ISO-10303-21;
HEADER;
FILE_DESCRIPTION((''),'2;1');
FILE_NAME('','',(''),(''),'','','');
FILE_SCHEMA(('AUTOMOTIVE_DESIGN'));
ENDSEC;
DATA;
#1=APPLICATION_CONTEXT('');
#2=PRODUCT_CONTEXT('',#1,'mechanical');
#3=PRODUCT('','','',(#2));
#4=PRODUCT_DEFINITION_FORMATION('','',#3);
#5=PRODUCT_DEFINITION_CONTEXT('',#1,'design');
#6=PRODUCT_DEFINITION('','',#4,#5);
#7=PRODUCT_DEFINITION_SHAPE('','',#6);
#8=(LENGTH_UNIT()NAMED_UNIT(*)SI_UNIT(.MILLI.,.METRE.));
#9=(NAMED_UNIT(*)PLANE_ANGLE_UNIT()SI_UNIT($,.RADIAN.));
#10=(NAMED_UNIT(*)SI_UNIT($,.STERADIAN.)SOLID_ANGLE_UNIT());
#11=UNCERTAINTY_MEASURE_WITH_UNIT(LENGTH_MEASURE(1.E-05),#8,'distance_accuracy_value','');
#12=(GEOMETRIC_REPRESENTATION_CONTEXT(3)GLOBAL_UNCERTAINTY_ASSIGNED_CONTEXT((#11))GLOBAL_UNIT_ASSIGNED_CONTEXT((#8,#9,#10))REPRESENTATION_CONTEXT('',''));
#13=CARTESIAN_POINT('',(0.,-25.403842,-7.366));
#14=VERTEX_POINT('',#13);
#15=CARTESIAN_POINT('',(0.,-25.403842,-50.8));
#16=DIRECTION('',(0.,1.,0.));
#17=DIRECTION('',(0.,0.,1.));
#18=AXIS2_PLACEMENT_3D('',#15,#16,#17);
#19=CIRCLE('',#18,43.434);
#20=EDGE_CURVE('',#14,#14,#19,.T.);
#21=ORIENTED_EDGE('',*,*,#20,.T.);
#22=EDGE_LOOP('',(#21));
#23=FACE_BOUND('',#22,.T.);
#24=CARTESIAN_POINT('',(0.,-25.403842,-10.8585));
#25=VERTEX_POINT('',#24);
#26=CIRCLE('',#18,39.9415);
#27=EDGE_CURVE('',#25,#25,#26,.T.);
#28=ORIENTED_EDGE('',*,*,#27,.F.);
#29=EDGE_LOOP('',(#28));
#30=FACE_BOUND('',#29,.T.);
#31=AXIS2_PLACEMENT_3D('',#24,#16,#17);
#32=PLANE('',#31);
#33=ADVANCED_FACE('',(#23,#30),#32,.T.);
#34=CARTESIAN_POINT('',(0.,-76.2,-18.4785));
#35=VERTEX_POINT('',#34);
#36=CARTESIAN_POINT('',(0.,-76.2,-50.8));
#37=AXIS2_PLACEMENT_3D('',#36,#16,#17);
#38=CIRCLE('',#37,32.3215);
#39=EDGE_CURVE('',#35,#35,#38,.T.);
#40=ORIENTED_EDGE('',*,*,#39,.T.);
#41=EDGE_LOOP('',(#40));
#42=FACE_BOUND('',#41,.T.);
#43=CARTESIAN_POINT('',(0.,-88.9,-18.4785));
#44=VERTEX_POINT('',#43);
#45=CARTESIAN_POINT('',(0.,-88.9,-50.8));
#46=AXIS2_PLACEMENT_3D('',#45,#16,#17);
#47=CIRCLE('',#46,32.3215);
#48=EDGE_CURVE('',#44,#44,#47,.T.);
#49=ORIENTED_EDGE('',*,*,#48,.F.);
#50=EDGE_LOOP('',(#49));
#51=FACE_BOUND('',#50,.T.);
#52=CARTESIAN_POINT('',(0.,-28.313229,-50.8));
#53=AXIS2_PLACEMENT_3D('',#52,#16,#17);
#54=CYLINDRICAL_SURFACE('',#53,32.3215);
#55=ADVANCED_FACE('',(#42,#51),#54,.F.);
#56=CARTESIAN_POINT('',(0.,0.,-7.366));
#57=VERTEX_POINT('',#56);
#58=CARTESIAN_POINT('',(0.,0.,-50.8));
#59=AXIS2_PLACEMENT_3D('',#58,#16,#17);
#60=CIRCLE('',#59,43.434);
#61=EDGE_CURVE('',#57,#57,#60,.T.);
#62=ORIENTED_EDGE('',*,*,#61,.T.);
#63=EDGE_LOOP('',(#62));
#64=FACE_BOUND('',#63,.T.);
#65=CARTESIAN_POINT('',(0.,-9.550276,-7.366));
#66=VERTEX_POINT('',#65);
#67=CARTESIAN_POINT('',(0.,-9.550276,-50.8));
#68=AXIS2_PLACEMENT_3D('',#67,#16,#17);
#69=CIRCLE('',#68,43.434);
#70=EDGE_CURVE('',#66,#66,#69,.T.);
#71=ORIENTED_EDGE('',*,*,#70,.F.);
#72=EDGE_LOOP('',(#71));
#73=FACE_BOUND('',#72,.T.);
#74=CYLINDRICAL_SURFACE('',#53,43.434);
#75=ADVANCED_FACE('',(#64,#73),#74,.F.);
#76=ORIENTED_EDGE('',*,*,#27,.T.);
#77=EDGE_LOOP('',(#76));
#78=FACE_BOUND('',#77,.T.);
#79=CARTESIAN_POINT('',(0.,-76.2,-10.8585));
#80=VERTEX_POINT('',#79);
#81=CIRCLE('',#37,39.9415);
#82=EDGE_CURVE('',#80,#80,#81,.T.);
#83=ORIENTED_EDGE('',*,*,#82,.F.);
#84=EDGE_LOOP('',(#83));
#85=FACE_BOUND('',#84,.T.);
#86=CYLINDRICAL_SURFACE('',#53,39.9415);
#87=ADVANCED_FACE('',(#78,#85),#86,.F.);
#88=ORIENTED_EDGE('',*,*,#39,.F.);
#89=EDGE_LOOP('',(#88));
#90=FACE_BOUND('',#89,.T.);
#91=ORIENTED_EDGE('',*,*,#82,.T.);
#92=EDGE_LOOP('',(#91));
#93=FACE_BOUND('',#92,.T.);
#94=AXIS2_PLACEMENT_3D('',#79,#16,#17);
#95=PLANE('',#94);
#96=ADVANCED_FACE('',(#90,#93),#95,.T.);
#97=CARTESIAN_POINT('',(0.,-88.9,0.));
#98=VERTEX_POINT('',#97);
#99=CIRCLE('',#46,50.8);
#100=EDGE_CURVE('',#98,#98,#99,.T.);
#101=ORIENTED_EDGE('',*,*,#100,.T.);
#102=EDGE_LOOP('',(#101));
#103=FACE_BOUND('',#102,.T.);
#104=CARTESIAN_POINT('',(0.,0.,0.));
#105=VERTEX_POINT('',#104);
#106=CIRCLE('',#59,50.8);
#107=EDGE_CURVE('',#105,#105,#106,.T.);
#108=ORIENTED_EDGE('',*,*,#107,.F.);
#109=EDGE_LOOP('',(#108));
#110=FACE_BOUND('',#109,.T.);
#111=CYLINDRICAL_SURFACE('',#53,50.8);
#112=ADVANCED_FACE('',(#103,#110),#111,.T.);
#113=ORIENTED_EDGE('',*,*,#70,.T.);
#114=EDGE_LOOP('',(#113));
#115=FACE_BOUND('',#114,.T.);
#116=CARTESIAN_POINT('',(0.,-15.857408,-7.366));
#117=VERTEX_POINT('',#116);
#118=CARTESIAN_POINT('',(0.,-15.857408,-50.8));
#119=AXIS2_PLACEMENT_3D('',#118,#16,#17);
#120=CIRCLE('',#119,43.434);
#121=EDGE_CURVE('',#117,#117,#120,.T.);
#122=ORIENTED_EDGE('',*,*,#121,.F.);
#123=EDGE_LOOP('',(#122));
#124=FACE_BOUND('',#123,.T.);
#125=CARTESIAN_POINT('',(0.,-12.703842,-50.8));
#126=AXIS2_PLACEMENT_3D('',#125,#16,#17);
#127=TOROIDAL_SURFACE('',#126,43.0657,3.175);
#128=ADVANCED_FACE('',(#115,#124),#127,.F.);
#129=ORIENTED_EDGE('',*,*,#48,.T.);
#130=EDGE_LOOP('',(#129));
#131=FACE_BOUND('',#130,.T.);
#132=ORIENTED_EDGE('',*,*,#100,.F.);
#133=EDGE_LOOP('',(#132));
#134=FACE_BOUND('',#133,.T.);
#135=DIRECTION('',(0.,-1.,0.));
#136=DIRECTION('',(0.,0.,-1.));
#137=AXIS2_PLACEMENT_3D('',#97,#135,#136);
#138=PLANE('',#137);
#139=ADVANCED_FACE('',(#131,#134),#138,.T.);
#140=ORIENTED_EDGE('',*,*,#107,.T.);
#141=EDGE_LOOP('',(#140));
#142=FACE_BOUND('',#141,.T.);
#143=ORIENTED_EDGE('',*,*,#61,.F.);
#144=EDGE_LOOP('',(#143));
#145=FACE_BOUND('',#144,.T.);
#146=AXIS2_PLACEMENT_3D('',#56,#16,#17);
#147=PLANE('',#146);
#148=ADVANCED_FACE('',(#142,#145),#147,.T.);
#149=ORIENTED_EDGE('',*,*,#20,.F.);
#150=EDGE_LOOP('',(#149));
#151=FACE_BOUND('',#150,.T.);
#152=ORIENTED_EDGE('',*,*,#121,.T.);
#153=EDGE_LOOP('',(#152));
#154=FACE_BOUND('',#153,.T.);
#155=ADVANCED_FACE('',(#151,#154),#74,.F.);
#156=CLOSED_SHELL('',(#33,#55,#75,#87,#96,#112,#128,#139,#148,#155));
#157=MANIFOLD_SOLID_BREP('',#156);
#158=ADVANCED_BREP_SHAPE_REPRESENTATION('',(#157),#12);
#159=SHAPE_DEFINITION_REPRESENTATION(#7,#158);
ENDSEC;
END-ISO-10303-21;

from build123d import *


with BuildPart() as part:
    # Sketch1 → Revolve1 (revolve)
    with BuildSketch(Plane(origin=(0, 0, 0), x_dir=(0, 0, -1), z_dir=(1, 0, 0))):
        with BuildLine():
            Line((0, 0), (0, -88.9))
            Line((0, -88.9), (10.16, -88.9))
            Line((10.16, -88.9), (18.4785, -88.9))
            Line((18.4785, -88.9), (18.4785, -76.2))
            Line((18.4785, -76.2), (10.8585, -76.2))
            Line((10.8585, -76.2), (10.8585, -25.403841866))
            Line((10.8585, -25.403841866), (7.366, -25.403841866))
            Line((7.366, -25.403841866), (7.366, -15.857408119))
            ThreePointArc((7.366, -15.857408119), (4.5593, -12.703841866), (7.366, -9.550275614))
            Line((7.366, -9.550275614), (7.366, 0))
            Line((7.366, 0), (0, 0))
        make_face()
    revolve(axis=Axis((0, -28.313229254, -50.8), (0, -1, 0)))


solid = part.part
